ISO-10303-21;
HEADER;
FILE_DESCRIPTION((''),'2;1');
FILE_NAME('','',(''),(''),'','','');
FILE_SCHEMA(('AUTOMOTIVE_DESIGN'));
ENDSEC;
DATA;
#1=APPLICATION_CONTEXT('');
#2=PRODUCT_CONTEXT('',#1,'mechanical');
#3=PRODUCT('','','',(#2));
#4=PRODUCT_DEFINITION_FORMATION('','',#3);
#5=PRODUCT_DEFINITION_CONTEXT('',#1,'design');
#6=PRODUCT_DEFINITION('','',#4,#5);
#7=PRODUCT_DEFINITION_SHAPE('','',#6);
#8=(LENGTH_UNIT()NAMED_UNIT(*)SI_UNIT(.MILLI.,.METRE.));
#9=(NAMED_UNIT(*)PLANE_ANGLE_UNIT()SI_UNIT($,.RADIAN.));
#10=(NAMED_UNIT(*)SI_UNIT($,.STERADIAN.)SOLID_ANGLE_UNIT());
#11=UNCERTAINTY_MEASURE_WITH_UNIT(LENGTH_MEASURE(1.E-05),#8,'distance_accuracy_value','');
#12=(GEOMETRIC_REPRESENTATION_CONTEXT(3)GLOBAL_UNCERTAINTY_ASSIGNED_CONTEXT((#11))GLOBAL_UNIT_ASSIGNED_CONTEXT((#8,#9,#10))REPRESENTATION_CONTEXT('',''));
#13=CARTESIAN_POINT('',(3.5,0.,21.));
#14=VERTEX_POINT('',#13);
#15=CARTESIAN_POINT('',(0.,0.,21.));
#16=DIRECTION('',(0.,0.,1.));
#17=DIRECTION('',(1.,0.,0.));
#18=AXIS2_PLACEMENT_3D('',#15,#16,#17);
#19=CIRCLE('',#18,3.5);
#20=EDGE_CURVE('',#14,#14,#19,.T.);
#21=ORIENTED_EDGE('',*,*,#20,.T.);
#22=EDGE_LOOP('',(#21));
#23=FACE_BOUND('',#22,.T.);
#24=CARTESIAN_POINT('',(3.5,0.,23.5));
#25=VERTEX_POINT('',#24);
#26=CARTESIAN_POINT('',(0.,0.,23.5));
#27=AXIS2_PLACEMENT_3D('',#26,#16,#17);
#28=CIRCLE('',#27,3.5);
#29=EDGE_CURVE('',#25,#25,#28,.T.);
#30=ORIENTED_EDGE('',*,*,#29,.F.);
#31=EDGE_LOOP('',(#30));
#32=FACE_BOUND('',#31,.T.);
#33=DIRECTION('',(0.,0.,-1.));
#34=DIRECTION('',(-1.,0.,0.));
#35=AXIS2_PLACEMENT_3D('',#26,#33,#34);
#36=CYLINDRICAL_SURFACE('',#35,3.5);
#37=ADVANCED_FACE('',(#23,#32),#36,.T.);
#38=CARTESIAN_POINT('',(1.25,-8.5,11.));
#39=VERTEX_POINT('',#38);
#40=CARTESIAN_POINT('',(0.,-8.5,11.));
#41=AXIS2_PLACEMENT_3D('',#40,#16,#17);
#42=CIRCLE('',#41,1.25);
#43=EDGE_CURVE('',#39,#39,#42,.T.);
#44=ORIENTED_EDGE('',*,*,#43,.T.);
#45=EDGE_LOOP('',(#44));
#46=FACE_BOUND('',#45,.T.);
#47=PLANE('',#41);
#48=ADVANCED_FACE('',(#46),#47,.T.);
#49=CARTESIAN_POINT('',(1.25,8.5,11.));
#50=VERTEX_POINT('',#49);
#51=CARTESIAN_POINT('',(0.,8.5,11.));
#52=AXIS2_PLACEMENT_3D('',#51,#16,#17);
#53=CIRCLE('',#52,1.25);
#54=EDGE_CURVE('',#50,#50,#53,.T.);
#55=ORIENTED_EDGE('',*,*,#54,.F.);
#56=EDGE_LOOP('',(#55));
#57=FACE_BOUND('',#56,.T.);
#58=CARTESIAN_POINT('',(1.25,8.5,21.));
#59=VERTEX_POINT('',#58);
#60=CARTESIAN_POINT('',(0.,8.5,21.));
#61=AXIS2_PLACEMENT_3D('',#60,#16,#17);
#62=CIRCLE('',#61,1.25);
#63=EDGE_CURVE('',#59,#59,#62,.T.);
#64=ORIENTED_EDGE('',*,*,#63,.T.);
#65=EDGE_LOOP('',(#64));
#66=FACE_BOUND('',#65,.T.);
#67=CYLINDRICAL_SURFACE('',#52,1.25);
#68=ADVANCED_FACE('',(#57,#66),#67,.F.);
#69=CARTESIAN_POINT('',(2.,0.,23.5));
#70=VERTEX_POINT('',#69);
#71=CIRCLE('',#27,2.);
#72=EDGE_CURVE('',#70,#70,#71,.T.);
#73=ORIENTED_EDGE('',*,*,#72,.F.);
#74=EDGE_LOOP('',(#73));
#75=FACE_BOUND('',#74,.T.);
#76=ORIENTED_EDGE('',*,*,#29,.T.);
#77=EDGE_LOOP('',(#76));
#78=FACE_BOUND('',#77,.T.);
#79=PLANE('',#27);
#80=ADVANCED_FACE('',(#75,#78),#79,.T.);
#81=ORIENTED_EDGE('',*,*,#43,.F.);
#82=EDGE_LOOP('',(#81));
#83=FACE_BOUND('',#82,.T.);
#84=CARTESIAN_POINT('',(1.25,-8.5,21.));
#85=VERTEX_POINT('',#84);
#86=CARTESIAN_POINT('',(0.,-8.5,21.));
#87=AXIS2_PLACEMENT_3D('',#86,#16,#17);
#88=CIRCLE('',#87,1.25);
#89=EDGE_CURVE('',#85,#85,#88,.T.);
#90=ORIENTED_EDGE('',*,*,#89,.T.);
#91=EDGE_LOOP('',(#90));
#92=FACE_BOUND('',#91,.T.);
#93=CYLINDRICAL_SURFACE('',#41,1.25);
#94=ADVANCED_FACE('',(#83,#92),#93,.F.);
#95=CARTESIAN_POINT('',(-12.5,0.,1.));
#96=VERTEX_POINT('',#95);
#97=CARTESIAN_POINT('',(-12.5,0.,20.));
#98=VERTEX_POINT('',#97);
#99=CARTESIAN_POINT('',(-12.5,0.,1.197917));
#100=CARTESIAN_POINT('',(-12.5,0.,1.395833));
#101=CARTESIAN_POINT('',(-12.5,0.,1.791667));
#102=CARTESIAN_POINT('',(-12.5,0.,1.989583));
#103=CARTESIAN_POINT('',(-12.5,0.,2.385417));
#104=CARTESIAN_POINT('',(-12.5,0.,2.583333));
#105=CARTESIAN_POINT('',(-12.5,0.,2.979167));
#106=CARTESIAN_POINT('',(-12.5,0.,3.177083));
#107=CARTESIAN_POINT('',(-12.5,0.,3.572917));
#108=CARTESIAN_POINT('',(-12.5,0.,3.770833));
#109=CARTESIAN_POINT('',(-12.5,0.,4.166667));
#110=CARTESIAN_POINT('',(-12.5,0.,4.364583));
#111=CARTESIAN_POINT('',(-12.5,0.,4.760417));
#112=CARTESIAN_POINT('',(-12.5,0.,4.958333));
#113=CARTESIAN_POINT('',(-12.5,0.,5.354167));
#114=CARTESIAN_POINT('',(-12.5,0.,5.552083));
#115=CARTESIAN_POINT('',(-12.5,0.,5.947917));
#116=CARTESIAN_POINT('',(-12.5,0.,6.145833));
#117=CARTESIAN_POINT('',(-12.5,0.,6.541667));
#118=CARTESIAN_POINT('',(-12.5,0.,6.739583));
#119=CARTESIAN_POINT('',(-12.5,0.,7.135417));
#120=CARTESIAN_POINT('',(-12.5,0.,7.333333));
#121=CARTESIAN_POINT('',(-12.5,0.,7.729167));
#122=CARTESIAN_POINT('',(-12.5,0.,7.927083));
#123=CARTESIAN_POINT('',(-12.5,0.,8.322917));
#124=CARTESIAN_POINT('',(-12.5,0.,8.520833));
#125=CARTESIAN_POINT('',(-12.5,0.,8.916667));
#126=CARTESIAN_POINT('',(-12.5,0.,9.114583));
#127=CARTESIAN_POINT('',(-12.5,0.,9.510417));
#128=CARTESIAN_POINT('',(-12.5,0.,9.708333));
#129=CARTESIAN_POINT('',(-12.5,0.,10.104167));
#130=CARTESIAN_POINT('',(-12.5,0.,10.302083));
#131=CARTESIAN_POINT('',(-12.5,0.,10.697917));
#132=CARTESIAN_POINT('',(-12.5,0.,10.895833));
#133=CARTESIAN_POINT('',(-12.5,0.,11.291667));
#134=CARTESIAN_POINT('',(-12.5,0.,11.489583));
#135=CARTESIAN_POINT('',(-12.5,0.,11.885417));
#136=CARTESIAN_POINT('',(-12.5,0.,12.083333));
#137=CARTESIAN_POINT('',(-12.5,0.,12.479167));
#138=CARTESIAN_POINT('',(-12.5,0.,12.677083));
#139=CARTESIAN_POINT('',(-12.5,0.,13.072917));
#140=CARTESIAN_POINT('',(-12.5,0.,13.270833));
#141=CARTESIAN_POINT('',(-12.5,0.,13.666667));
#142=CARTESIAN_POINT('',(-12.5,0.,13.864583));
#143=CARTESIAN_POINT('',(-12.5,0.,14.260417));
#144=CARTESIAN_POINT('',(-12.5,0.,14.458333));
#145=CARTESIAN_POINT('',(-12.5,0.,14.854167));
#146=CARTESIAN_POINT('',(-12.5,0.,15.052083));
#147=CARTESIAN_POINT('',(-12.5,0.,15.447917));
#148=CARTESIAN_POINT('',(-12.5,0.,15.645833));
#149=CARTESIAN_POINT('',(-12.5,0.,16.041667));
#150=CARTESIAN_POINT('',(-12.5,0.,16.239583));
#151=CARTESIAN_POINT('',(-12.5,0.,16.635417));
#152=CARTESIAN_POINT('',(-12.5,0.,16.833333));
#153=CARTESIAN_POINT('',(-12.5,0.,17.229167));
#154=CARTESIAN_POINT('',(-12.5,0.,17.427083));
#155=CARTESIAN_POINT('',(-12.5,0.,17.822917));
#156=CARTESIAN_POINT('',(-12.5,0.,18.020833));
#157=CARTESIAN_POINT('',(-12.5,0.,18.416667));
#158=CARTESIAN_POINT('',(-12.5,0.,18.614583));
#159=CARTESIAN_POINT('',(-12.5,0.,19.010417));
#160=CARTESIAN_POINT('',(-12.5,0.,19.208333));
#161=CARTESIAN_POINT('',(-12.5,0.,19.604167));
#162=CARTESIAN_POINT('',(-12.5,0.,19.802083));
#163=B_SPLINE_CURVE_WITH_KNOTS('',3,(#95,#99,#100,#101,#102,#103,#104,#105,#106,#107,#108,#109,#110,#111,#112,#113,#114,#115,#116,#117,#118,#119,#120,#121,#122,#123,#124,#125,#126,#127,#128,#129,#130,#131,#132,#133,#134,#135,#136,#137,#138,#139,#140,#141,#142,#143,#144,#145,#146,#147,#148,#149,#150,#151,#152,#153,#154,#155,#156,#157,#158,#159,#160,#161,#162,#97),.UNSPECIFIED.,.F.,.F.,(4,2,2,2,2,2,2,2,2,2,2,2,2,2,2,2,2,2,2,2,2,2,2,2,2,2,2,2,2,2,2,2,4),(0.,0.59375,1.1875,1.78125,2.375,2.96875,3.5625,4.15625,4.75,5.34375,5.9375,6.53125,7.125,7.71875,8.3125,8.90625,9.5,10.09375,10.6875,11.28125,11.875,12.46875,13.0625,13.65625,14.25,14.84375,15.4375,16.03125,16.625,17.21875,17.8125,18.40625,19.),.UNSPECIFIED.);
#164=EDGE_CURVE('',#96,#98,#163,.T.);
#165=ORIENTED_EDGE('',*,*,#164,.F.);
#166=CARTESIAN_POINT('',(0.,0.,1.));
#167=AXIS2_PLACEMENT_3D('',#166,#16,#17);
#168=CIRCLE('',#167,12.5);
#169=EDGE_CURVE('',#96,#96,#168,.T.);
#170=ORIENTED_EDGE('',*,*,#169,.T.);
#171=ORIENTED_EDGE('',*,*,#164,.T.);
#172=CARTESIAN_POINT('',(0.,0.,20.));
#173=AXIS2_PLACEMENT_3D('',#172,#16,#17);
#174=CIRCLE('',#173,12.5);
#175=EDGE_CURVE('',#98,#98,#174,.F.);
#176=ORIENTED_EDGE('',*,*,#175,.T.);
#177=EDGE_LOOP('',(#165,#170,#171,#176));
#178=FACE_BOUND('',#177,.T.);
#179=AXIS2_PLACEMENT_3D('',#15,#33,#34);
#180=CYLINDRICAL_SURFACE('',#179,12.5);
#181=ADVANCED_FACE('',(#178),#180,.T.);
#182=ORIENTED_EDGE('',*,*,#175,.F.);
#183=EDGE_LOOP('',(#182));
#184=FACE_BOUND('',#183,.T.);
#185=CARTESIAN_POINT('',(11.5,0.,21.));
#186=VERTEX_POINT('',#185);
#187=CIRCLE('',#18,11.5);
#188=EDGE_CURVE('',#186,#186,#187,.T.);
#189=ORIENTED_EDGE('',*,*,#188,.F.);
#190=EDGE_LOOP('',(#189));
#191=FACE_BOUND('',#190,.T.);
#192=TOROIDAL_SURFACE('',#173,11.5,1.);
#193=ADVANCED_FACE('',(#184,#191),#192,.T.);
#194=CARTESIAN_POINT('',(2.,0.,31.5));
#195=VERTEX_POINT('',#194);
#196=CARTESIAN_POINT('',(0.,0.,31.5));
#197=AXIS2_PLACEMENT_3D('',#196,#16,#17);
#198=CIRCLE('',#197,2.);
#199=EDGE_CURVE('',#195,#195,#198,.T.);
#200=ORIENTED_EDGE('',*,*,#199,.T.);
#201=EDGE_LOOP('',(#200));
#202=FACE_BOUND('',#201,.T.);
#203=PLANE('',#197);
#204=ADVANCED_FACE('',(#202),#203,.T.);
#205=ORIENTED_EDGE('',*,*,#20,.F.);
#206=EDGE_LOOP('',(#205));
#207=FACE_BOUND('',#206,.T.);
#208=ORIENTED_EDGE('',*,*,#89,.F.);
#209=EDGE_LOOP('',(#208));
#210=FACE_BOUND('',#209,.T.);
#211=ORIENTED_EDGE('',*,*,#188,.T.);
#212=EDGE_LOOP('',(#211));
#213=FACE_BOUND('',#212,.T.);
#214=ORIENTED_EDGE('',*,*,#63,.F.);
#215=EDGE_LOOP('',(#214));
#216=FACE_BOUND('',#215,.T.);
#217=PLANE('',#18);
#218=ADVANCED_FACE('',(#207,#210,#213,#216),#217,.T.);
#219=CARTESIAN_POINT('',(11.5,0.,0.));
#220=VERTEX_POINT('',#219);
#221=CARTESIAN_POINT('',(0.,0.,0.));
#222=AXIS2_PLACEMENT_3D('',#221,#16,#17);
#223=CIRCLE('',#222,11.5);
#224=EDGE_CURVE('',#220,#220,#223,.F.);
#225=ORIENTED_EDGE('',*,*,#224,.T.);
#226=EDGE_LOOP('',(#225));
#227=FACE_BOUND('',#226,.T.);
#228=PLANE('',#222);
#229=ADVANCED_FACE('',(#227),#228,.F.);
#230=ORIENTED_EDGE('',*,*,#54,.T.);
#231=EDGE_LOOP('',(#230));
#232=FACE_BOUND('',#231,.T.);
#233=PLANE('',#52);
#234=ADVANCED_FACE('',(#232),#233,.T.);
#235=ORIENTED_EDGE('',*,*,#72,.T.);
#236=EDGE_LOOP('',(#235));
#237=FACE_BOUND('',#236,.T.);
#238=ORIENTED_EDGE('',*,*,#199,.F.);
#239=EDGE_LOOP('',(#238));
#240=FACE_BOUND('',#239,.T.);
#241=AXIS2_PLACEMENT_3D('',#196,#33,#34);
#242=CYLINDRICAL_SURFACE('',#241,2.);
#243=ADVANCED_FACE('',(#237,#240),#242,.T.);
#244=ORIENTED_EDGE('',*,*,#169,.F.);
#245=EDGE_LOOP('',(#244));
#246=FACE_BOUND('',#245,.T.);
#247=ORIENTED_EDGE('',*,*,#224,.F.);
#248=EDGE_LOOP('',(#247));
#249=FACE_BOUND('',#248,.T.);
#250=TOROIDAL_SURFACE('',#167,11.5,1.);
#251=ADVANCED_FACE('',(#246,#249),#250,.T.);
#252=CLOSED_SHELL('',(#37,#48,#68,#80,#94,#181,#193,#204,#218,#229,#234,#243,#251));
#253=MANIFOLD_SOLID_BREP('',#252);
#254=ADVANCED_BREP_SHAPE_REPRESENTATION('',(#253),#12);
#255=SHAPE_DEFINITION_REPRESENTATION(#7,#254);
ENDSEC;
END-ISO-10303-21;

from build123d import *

# Parameters (mm, degrees)
ESBO_O1_R                = 12.5
RESSALTO_EXTRUS_O1_DEPTH = 21
ESBO_O2_R                = 3.5
RESSALTO_EXTRUS_O2_DEPTH = 2.5
FILETE1_R                = 1
ESBO_O3_R                = 2
RESSALTO_EXTRUS_O3_DEPTH = 8
ESBO_O4_R                = 1.25
CORTE_EXTRUS_O1_DEPTH    = 10


with BuildPart() as part:
    # Esboço1 → Ressalto-extrusão1 (new body)
    with BuildSketch(Plane.XY):
        with Locations(Location((0, 0, 0), (0, 0, 180))):
            Circle(ESBO_O1_R)
    extrude(amount=RESSALTO_EXTRUS_O1_DEPTH)

    # Esboço2 → Ressalto-extrusão2 (add)
    with BuildSketch(Plane.XY.offset(21)):
        Circle(ESBO_O2_R)
    extrude(amount=RESSALTO_EXTRUS_O2_DEPTH)

    # Filete1
    filete1_edges = [part.edges().sort_by_distance(p)[0] for p in [
        (12.5, 0, 0),
        (12.5, 0, 21),
    ]]
    fillet(filete1_edges, radius=FILETE1_R)

    # Esboço3 → Ressalto-extrusão3 (add)
    with BuildSketch(Plane.XY.offset(23.5)):
        Circle(ESBO_O3_R)
    extrude(amount=RESSALTO_EXTRUS_O3_DEPTH)

    # Esboço4 → Corte-extrusão1 (cut)
    with BuildSketch(Plane.XY.offset(21)):
        with Locations((0, 8.5)):
            Circle(ESBO_O4_R)
        with Locations((0, -8.5)):
            Circle(ESBO_O4_R)
    extrude(amount=-CORTE_EXTRUS_O1_DEPTH, mode=Mode.SUBTRACT)


solid = part.part
